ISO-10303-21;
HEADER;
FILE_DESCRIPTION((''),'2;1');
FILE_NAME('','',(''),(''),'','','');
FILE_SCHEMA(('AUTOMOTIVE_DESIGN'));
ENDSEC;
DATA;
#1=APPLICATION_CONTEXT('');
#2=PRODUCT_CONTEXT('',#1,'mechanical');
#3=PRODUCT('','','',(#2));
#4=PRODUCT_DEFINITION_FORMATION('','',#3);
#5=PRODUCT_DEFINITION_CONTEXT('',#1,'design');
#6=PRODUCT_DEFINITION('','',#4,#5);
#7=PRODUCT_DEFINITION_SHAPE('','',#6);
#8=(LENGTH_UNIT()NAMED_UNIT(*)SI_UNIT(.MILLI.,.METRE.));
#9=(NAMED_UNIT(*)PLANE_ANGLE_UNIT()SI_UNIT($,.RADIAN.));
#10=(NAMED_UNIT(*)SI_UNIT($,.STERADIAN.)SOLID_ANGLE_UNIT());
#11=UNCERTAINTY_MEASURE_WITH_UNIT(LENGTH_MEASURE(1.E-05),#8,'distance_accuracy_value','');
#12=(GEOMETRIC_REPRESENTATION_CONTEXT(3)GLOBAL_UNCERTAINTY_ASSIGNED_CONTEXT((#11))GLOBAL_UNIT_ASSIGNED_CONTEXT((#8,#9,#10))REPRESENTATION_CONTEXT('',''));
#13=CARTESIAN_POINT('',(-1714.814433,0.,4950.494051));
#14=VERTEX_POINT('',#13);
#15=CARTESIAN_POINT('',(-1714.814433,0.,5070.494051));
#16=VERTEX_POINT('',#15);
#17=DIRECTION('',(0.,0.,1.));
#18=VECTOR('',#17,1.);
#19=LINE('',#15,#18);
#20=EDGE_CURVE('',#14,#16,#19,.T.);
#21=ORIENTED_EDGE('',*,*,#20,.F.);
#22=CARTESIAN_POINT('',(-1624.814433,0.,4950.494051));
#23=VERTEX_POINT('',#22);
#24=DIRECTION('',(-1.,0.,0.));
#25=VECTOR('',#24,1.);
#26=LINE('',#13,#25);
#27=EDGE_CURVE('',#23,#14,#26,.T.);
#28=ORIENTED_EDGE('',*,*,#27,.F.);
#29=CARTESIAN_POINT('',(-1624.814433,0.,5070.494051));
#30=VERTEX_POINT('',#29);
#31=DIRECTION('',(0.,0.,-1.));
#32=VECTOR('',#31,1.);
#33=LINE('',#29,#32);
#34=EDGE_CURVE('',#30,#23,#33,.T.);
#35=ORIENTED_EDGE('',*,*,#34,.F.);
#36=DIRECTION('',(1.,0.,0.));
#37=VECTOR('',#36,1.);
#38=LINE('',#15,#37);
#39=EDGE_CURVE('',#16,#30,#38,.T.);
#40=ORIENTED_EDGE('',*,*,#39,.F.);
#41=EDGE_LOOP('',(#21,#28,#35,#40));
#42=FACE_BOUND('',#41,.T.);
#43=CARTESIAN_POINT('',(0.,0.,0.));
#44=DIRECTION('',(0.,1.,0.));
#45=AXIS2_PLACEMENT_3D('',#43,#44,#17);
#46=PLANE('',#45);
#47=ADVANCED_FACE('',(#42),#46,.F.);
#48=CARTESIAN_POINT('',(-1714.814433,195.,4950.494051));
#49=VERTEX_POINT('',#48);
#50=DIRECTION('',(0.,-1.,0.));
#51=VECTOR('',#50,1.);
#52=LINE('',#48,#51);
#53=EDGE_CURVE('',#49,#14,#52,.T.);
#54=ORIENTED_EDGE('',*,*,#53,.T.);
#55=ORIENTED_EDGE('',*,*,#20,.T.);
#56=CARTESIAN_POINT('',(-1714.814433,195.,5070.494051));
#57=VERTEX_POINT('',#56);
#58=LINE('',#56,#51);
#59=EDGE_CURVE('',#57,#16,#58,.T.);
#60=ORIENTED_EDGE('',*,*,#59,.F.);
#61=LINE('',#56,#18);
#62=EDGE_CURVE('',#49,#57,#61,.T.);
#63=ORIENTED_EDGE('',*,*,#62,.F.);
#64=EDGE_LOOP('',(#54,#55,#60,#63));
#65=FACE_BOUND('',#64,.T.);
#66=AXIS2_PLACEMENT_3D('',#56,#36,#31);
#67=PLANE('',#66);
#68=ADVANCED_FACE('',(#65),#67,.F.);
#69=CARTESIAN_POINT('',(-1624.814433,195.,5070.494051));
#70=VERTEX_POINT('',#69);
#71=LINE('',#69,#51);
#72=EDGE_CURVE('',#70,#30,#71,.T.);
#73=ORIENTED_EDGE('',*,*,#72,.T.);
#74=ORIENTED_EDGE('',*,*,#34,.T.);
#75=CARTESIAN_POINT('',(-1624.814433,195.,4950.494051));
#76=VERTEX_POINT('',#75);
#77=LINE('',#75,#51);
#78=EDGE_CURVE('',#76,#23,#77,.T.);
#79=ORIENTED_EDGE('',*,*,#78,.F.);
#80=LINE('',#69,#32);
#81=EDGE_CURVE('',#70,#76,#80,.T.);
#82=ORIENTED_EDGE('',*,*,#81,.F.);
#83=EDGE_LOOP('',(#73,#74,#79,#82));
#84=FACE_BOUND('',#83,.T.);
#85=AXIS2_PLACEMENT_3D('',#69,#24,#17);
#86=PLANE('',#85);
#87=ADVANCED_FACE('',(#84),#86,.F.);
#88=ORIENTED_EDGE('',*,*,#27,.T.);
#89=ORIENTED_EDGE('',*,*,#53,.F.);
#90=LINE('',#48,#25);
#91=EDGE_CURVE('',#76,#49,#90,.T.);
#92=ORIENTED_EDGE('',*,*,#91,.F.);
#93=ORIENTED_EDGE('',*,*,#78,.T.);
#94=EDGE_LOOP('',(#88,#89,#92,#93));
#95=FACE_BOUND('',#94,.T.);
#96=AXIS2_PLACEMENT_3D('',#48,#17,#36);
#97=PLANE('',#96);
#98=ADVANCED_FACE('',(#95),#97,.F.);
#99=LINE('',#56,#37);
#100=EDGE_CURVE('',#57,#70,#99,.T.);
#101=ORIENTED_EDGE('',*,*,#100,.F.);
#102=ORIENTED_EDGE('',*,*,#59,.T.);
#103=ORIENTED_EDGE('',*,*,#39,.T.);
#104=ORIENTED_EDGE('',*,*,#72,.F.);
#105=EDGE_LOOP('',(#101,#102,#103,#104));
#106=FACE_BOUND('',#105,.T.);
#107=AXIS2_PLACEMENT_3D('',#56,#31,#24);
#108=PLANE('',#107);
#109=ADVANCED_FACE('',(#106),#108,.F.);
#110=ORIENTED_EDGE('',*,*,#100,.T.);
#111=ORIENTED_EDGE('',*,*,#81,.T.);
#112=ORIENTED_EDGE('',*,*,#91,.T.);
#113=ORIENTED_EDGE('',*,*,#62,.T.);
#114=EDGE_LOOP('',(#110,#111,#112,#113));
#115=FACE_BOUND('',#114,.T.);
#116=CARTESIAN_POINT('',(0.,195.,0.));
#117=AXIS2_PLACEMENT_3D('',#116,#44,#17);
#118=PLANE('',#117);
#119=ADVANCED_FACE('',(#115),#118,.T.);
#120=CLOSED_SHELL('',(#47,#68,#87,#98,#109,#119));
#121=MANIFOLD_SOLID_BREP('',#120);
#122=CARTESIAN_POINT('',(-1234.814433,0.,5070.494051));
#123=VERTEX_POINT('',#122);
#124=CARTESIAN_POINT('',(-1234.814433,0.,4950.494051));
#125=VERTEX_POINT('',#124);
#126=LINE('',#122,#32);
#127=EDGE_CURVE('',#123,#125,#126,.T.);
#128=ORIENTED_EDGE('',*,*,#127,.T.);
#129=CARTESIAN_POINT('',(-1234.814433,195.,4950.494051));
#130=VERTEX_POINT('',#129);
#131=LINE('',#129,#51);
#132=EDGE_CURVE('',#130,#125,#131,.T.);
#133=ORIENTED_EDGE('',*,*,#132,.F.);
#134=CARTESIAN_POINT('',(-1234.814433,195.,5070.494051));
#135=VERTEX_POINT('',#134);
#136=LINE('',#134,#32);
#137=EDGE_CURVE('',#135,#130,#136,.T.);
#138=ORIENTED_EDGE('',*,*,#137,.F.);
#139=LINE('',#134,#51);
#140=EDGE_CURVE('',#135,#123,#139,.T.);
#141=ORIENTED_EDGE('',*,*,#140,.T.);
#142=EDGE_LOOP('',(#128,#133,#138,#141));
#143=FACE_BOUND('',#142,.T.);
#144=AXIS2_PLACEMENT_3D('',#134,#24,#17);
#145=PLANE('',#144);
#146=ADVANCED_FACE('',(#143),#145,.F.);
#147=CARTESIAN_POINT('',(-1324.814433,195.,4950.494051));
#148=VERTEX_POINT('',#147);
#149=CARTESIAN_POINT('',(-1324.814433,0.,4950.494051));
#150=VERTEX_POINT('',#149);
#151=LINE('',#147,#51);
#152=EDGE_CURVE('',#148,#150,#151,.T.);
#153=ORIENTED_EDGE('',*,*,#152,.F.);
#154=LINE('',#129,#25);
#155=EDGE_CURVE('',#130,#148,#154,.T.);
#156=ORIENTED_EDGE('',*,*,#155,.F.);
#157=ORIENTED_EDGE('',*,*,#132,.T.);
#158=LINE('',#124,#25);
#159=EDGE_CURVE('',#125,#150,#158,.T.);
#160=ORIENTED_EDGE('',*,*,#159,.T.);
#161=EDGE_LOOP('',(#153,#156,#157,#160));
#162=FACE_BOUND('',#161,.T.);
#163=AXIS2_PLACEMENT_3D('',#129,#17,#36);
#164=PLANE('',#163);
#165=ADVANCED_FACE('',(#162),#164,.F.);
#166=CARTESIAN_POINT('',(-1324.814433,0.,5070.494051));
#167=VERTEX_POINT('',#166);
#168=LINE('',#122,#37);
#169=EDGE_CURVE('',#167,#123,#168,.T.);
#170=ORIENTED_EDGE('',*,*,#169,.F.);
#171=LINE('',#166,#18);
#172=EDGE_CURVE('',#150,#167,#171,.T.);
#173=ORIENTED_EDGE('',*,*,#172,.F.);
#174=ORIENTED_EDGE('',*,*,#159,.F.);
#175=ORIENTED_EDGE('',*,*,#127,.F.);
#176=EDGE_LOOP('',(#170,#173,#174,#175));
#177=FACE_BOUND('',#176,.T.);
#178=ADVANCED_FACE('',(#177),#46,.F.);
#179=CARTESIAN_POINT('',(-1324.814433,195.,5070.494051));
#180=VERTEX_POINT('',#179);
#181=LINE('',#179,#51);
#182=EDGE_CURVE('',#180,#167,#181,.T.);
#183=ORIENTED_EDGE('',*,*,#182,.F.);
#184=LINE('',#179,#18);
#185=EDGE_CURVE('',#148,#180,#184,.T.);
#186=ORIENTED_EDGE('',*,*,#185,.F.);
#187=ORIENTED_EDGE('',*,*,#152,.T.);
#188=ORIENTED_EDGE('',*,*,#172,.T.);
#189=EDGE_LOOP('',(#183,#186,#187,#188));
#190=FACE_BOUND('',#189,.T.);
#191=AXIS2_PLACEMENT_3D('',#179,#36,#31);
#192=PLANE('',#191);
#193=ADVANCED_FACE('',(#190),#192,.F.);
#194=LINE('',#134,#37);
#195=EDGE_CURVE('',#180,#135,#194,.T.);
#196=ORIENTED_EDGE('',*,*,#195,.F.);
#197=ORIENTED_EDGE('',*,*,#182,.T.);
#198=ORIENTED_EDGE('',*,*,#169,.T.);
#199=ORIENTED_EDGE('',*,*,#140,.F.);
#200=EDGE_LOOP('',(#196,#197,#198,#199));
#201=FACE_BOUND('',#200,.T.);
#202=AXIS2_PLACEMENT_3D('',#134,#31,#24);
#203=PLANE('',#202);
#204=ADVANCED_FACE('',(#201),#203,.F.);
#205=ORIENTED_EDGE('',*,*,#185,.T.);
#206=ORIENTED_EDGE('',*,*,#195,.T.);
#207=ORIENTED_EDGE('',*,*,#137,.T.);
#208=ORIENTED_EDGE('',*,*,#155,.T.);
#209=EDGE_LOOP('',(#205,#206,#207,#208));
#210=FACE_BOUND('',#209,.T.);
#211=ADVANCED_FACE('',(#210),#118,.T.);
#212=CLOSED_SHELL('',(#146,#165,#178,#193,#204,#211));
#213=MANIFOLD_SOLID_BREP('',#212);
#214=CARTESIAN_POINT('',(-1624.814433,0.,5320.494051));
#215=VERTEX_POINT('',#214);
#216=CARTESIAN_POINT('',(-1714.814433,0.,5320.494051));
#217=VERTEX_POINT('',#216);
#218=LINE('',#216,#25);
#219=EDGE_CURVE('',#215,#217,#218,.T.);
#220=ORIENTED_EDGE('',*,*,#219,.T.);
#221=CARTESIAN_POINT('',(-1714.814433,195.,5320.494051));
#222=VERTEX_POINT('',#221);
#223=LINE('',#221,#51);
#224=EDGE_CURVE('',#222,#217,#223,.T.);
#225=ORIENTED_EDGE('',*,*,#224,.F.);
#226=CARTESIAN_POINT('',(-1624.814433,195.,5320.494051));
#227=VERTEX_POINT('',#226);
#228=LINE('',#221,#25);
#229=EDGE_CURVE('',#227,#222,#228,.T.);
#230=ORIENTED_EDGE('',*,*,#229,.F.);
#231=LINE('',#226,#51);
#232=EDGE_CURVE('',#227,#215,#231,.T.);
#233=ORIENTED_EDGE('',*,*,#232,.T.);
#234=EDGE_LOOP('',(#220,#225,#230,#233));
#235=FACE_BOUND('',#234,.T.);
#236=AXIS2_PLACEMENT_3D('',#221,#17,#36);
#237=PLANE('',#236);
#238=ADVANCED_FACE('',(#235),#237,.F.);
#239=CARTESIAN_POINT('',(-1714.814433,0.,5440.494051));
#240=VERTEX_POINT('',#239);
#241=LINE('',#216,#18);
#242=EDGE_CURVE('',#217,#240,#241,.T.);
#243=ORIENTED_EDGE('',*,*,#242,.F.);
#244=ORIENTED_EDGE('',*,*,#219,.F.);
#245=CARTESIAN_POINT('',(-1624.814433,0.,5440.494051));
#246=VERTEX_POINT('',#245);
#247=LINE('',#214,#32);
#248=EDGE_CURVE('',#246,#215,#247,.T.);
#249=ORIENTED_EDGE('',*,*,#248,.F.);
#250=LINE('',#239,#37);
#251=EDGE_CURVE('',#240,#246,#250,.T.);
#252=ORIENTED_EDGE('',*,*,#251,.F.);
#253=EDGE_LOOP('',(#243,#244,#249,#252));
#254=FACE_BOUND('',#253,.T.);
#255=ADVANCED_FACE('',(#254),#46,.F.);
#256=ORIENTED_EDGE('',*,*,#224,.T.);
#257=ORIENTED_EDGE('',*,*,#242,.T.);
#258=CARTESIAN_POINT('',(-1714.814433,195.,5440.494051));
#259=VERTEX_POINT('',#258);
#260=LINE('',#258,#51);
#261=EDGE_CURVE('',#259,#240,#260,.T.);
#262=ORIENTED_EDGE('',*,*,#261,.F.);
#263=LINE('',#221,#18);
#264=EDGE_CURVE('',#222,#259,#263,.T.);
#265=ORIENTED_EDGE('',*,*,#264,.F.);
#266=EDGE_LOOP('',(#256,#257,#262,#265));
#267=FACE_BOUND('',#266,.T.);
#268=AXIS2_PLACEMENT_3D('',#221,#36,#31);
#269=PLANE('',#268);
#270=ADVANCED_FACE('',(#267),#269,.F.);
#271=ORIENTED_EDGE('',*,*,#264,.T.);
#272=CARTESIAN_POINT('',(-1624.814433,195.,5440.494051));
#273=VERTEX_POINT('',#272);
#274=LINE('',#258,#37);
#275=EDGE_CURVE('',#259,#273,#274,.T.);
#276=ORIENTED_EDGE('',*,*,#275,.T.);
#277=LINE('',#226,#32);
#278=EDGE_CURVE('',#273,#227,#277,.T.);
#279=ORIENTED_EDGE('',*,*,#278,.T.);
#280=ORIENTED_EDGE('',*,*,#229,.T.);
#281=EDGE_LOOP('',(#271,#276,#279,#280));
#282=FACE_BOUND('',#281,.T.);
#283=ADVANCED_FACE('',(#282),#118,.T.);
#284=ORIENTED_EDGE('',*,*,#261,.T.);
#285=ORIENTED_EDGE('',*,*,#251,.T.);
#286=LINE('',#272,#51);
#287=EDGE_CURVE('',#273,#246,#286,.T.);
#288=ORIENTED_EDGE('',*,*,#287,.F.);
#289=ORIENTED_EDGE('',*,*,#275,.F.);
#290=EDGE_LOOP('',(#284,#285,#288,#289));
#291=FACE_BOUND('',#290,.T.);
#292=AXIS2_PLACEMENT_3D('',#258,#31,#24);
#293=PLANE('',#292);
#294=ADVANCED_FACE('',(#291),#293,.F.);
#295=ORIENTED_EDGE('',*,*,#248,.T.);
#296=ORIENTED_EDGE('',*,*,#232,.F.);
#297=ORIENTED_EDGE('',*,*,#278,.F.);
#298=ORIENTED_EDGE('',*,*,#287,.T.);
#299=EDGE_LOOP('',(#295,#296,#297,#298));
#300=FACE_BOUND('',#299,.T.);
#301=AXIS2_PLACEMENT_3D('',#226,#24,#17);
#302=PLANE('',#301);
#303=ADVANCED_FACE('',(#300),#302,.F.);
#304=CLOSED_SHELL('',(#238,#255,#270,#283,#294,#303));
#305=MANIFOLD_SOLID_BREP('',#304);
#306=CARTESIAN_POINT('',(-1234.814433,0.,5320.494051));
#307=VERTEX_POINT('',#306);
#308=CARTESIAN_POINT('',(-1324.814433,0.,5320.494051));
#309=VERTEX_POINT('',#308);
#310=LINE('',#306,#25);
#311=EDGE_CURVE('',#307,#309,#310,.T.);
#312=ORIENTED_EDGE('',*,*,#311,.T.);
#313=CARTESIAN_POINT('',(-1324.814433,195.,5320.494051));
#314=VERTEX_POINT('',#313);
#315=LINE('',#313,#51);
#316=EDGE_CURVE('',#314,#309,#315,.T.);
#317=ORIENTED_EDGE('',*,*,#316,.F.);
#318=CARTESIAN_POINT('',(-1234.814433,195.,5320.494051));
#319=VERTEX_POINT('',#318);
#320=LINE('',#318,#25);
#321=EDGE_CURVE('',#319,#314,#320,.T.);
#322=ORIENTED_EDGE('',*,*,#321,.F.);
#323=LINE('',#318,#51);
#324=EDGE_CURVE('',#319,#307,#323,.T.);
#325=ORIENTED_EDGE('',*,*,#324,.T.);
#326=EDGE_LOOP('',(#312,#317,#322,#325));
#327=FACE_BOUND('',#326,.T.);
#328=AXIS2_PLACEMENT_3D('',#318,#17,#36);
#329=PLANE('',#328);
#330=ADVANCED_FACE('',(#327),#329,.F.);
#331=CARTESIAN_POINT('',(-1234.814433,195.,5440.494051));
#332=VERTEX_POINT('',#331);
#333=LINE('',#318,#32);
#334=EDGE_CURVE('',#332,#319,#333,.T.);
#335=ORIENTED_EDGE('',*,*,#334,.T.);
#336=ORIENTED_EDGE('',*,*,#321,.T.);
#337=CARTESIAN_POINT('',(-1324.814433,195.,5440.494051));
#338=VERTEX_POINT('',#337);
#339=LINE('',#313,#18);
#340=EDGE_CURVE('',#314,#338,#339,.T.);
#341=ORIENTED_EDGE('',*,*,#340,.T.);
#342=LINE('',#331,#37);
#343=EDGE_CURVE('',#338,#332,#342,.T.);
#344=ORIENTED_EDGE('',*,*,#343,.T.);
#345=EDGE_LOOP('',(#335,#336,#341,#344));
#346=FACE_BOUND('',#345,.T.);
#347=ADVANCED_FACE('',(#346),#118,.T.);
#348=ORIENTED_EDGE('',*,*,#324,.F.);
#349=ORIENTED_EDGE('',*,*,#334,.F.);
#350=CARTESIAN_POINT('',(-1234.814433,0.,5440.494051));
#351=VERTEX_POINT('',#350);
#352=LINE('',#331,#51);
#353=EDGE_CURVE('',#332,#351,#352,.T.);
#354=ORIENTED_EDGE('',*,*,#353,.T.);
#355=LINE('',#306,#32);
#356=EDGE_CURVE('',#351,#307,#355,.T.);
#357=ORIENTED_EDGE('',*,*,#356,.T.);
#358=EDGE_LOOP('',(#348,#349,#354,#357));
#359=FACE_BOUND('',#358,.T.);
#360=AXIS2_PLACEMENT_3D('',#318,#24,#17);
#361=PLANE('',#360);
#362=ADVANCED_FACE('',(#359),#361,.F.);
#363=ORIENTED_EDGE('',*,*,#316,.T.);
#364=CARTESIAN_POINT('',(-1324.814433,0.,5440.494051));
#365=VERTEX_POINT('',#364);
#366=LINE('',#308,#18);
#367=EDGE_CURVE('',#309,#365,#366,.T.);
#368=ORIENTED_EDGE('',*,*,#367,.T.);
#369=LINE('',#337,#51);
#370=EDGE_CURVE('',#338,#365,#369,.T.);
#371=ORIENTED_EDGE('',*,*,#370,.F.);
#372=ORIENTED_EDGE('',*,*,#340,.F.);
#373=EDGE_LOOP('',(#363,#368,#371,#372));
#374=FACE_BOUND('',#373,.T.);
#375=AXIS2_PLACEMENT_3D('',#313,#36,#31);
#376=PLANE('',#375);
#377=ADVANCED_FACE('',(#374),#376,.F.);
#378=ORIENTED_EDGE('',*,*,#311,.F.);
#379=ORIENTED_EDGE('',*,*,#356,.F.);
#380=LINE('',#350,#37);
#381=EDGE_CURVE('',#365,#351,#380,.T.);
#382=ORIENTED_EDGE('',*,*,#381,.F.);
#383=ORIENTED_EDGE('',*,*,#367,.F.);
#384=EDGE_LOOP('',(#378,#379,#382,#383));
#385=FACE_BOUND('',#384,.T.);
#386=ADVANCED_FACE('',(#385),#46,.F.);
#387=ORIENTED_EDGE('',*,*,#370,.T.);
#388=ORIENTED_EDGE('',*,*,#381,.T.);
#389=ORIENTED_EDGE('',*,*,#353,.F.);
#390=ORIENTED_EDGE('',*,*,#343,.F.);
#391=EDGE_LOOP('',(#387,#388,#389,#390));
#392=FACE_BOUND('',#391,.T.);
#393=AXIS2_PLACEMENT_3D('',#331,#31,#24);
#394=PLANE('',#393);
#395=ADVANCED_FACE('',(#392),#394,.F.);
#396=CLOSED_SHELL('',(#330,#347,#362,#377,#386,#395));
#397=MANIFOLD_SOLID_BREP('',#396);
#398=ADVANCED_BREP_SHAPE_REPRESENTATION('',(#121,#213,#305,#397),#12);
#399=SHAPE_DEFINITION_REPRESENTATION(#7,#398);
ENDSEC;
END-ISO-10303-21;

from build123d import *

# Parameters (mm, degrees)
SKETCH1_W             = 90
SKETCH1_H             = 120
BOSS_EXTRUDE1_DEPTH   = 195
BOSS_EXTRUDE1_2_DEPTH = 195
BOSS_EXTRUDE1_3_DEPTH = 195
BOSS_EXTRUDE1_4_DEPTH = 195


with BuildPart() as part:
    # Sketch1 → Boss-Extrude1 (new body)
    with BuildSketch(Plane(origin=(0, 0, 0), x_dir=(1, 0, 0), z_dir=(0, 1, 0))):
        with Locations((-1669.81443299, -5380.494050863)):
            Rectangle(SKETCH1_W, SKETCH1_H)
    extrude(amount=BOSS_EXTRUDE1_DEPTH)


with BuildPart() as body_2:
    # Sketch1 → Boss-Extrude1 2 (new body)
    with BuildSketch(Plane(origin=(0, 0, 0), x_dir=(1, 0, 0), z_dir=(0, 1, 0))):
        with Locations((-1669.81443299, -5010.494050863)):
            Rectangle(SKETCH1_W, SKETCH1_H)
    extrude(amount=BOSS_EXTRUDE1_2_DEPTH)


with BuildPart() as body_3:
    # Sketch1 → Boss-Extrude1 3 (new body)
    with BuildSketch(Plane(origin=(0, 0, 0), x_dir=(1, 0, 0), z_dir=(0, 1, 0))):
        with Locations((-1279.81443299, -5010.494050863)):
            Rectangle(SKETCH1_W, SKETCH1_H)
    extrude(amount=BOSS_EXTRUDE1_3_DEPTH)


with BuildPart() as body_4:
    # Sketch1 → Boss-Extrude1 4 (new body)
    with BuildSketch(Plane(origin=(0, 0, 0), x_dir=(1, 0, 0), z_dir=(0, 1, 0))):
        with Locations((-1279.81443299, -5380.494050863)):
            Rectangle(SKETCH1_W, SKETCH1_H)
    extrude(amount=BOSS_EXTRUDE1_4_DEPTH)


solid = Compound([part.part, body_2.part, body_3.part, body_4.part])
